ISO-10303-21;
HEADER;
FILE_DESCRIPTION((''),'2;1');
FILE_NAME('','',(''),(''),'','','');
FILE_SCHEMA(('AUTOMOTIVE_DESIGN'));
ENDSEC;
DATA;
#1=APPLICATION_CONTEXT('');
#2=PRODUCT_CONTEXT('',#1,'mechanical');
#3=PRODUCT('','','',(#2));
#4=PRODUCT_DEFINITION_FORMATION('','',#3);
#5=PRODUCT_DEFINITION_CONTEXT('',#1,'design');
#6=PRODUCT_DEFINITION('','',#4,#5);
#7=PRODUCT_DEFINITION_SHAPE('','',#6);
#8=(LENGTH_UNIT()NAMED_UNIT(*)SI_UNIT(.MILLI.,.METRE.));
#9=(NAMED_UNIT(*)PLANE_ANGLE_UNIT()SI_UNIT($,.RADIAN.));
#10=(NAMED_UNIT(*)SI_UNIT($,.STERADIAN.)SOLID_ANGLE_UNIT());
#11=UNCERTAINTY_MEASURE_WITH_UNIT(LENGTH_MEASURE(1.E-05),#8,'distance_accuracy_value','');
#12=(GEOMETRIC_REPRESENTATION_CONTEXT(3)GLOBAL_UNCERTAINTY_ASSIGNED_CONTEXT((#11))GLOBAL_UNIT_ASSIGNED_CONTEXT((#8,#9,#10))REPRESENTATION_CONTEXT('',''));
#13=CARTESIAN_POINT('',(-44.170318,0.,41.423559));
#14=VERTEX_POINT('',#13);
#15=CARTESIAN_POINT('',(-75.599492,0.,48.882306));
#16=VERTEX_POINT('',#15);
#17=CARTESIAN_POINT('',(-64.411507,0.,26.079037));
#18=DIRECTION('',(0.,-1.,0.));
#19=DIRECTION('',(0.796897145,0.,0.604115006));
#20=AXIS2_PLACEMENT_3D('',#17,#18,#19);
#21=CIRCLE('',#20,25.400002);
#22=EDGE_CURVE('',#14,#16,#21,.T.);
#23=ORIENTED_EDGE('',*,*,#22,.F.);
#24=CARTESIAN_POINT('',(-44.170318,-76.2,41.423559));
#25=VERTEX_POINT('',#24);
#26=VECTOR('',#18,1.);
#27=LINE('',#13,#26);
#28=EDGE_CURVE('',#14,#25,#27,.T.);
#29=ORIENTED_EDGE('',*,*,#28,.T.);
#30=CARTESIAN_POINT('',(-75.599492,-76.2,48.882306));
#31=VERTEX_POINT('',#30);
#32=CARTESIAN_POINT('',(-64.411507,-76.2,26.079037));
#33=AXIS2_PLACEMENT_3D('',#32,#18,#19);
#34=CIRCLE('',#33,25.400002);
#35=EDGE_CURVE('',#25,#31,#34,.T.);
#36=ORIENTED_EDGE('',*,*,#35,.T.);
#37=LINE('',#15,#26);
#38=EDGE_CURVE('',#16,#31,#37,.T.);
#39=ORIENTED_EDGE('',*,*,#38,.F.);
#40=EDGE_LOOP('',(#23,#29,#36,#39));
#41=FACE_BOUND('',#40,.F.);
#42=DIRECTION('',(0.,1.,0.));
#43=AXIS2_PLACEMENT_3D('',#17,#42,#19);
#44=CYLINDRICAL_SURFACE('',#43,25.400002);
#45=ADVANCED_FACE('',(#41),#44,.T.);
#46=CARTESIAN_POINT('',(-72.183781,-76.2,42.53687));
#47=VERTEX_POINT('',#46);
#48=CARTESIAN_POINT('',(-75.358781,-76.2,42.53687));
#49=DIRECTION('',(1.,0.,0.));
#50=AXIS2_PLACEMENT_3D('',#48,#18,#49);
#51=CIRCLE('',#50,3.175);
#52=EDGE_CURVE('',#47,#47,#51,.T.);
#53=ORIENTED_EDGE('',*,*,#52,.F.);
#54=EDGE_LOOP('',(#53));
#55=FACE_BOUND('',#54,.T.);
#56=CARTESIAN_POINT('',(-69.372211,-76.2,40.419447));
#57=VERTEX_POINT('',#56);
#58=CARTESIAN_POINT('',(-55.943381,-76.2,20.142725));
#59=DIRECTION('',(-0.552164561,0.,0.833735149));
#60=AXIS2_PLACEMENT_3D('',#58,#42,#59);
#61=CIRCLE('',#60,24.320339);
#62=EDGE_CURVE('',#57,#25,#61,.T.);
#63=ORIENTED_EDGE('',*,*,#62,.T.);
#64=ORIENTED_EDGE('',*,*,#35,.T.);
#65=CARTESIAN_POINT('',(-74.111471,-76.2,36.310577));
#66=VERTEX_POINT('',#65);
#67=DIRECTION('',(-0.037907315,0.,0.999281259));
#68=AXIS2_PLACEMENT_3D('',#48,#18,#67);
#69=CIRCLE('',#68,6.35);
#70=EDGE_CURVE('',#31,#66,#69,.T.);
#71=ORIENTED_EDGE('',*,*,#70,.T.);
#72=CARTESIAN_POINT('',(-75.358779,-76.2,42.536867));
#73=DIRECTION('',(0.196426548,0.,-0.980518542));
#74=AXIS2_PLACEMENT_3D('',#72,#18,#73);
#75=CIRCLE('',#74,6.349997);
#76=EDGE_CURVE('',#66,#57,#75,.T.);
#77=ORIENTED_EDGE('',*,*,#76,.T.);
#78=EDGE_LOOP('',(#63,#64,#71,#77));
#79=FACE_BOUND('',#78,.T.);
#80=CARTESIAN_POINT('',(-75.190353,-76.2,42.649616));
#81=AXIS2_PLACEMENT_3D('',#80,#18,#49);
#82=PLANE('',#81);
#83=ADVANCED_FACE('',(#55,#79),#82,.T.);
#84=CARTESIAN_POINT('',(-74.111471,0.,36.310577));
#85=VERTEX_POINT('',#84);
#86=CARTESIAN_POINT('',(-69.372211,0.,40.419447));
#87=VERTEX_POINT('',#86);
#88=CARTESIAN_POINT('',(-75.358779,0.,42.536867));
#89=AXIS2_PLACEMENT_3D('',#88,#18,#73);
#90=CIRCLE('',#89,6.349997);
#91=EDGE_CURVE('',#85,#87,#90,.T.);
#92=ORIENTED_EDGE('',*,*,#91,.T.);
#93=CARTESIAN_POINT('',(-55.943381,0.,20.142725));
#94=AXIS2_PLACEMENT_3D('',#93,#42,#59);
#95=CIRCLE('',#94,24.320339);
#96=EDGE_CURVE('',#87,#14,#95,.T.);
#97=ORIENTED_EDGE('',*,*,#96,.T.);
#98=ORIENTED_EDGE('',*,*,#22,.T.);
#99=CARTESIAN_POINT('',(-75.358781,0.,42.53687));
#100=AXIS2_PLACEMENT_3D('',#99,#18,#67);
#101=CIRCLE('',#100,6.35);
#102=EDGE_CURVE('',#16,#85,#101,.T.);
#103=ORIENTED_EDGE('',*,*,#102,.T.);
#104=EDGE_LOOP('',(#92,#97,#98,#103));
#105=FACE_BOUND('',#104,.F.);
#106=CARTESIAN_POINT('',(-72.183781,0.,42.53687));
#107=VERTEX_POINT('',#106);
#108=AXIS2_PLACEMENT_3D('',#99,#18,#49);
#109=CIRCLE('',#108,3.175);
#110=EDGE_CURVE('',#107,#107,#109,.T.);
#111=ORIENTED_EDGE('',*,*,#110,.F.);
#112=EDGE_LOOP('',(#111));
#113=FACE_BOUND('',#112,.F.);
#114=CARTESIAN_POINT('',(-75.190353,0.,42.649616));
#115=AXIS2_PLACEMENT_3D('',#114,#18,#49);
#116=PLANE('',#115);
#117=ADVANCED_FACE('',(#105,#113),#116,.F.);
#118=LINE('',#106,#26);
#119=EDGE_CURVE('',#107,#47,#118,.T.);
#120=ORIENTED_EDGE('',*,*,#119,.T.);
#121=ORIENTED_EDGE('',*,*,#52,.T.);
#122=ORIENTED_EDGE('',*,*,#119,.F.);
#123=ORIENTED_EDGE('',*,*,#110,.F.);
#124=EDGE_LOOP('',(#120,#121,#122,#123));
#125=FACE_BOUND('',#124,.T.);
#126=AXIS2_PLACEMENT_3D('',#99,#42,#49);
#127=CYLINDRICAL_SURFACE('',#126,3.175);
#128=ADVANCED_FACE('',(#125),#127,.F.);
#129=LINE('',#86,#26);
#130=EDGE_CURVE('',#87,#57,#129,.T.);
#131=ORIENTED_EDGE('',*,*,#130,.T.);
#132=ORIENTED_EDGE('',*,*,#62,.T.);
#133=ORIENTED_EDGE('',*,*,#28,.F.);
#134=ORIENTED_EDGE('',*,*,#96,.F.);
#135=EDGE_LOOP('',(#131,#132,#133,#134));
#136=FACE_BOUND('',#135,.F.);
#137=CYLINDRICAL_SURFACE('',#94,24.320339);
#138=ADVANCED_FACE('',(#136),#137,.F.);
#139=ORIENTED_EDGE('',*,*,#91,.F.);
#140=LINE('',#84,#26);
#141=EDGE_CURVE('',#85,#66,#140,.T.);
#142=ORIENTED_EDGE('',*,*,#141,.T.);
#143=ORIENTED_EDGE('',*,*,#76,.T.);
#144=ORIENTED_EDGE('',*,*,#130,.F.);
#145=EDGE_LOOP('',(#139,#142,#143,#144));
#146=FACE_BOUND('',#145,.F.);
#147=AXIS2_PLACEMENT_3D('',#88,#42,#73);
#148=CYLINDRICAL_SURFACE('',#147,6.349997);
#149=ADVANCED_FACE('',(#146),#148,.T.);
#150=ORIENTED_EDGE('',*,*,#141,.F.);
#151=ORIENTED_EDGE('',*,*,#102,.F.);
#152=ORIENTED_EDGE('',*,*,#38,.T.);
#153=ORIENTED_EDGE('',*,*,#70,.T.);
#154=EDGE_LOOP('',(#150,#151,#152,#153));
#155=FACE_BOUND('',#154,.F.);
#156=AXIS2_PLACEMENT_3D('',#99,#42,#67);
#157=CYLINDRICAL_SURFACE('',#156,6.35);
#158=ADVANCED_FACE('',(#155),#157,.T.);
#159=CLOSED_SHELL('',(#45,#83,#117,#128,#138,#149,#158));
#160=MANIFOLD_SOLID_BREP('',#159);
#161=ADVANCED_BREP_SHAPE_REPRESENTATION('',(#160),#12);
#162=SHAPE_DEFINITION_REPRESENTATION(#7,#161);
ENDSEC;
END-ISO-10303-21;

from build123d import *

# Parameters (mm, degrees)
F0_R     = 3.175
F1_DEPTH = 76.2


with BuildPart() as f1:
    # F0 (on Front) → F1 (new body)
    with BuildSketch(Plane.XZ):
        with BuildLine():
            ThreePointArc((-69.372211, 40.419447), (-69.100298, 41.462677), (-69.008781, 42.53687))
            ThreePointArc((-69.008781, 42.53687), (-70.954579, 47.11131), (-75.599492, 48.882306))
            ThreePointArc((-75.599492, 48.882306), (-81.664762, 41.790478), (-74.111471, 36.310577))
            ThreePointArc((-74.111471, 36.310577), (-71.87486, 38.51844), (-69.372211, 40.419447))
        make_face()
        with Locations((-75.358781, 42.53687)):
            Circle(F0_R, mode=Mode.SUBTRACT)
        with BuildLine():
            ThreePointArc((-75.599492, 48.882306), (-70.954579, 47.11131), (-69.008781, 42.53687))
            ThreePointArc((-69.008781, 42.53687), (-69.100298, 41.462677), (-69.372211, 40.419447))
            ThreePointArc((-69.372211, 40.419447), (-56.911602, 44.443784), (-44.170318, 41.423559))
            ThreePointArc((-44.170318, 41.423559), (-58.546496, 50.792631), (-75.599492, 48.882306))
        make_face()
        with BuildLine():
            ThreePointArc((-74.111471, 36.310577), (-71.199098, 37.739001), (-69.372211, 40.419447))
            ThreePointArc((-69.372211, 40.419447), (-71.87486, 38.51844), (-74.111471, 36.310577))
        make_face()
    extrude(amount=F1_DEPTH)


solid = f1.part
